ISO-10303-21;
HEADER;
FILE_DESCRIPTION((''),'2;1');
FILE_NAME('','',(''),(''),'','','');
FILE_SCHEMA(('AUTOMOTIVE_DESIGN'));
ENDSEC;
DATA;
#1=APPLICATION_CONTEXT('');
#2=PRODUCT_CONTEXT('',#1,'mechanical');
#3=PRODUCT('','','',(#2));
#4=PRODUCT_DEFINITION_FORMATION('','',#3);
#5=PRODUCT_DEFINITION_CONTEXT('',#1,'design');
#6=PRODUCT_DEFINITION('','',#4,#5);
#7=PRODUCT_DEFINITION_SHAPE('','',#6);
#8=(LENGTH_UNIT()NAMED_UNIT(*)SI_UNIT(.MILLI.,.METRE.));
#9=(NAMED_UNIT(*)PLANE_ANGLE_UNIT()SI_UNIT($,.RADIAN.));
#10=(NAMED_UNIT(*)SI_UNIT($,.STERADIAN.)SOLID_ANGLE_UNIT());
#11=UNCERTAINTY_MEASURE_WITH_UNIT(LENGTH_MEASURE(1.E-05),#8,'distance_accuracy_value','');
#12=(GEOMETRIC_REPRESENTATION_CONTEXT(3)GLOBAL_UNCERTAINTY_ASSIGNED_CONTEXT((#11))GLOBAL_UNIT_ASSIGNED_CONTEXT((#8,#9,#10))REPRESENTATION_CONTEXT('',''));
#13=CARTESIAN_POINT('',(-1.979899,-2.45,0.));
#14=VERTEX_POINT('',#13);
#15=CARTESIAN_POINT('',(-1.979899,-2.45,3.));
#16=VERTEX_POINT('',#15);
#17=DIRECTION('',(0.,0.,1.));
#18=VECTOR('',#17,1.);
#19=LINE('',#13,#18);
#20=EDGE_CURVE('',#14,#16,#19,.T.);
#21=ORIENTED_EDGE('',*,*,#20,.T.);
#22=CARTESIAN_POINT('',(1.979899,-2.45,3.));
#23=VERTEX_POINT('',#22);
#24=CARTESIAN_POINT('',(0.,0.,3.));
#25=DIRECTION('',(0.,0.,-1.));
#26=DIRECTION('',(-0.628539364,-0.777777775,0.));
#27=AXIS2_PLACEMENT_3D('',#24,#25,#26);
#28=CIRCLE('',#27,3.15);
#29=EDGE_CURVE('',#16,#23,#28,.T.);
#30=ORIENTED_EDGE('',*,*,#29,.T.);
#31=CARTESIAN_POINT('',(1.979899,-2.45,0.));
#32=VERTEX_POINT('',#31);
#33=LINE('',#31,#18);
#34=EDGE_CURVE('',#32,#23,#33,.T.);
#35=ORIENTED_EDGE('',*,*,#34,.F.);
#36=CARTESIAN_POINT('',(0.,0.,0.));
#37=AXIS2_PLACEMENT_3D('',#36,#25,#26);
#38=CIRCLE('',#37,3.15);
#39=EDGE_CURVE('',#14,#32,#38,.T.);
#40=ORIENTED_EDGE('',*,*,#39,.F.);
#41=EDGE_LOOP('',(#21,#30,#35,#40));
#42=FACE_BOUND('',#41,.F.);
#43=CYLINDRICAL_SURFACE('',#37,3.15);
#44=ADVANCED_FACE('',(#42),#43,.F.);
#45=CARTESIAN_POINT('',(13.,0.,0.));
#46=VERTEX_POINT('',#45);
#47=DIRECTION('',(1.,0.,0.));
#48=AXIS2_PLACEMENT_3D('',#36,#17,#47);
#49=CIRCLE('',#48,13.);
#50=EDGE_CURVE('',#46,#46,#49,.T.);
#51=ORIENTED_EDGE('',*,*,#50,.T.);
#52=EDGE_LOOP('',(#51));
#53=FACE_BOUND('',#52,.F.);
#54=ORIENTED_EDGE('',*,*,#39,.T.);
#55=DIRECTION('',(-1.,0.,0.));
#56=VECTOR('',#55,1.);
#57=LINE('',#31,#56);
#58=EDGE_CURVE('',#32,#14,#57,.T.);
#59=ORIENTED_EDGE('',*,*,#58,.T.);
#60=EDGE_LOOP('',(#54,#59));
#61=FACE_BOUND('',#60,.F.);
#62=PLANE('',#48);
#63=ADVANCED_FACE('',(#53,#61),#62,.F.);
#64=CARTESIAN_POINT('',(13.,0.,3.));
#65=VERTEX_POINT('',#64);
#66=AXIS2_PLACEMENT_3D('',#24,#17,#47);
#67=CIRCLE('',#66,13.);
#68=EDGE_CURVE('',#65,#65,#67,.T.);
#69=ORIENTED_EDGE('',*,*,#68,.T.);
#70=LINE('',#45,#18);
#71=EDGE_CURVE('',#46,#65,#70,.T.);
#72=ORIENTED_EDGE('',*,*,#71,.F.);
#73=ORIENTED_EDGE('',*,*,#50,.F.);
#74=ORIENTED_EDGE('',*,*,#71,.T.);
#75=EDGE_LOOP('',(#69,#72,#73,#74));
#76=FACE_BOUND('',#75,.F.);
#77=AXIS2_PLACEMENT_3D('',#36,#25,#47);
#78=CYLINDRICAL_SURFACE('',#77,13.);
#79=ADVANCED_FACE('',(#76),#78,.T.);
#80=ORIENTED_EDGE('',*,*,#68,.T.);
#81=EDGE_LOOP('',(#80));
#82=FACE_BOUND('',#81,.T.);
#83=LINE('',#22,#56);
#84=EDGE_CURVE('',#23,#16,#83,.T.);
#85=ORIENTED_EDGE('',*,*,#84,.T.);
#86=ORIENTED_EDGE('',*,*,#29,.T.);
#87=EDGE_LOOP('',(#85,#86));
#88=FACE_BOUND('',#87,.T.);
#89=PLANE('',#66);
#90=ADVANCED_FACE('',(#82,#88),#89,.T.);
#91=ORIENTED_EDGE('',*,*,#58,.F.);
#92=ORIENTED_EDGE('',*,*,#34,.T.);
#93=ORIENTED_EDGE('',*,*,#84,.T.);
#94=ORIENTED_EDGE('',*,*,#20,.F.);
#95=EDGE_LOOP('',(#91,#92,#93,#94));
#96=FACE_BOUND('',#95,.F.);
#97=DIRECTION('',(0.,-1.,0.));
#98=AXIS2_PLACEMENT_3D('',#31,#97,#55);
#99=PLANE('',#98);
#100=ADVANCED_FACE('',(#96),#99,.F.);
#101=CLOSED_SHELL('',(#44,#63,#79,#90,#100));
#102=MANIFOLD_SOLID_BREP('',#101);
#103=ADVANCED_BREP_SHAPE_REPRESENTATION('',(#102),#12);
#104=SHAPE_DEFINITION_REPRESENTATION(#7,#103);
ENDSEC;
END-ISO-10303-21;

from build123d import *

# Parameters (mm, degrees)
F0_R     = 13
F1_DEPTH = 3


with BuildPart() as f1:
    # F0 (on Top) → F1 (new body)
    with BuildSketch(Plane.XY):
        Circle(F0_R)
        with BuildLine():
            ThreePointArc((-1.979899, -2.45), (0, 3.15), (1.979899, -2.45))
            Line((1.979899, -2.45), (-1.979899, -2.45))
        make_face(mode=Mode.SUBTRACT)
    extrude(amount=F1_DEPTH)


solid = f1.part
